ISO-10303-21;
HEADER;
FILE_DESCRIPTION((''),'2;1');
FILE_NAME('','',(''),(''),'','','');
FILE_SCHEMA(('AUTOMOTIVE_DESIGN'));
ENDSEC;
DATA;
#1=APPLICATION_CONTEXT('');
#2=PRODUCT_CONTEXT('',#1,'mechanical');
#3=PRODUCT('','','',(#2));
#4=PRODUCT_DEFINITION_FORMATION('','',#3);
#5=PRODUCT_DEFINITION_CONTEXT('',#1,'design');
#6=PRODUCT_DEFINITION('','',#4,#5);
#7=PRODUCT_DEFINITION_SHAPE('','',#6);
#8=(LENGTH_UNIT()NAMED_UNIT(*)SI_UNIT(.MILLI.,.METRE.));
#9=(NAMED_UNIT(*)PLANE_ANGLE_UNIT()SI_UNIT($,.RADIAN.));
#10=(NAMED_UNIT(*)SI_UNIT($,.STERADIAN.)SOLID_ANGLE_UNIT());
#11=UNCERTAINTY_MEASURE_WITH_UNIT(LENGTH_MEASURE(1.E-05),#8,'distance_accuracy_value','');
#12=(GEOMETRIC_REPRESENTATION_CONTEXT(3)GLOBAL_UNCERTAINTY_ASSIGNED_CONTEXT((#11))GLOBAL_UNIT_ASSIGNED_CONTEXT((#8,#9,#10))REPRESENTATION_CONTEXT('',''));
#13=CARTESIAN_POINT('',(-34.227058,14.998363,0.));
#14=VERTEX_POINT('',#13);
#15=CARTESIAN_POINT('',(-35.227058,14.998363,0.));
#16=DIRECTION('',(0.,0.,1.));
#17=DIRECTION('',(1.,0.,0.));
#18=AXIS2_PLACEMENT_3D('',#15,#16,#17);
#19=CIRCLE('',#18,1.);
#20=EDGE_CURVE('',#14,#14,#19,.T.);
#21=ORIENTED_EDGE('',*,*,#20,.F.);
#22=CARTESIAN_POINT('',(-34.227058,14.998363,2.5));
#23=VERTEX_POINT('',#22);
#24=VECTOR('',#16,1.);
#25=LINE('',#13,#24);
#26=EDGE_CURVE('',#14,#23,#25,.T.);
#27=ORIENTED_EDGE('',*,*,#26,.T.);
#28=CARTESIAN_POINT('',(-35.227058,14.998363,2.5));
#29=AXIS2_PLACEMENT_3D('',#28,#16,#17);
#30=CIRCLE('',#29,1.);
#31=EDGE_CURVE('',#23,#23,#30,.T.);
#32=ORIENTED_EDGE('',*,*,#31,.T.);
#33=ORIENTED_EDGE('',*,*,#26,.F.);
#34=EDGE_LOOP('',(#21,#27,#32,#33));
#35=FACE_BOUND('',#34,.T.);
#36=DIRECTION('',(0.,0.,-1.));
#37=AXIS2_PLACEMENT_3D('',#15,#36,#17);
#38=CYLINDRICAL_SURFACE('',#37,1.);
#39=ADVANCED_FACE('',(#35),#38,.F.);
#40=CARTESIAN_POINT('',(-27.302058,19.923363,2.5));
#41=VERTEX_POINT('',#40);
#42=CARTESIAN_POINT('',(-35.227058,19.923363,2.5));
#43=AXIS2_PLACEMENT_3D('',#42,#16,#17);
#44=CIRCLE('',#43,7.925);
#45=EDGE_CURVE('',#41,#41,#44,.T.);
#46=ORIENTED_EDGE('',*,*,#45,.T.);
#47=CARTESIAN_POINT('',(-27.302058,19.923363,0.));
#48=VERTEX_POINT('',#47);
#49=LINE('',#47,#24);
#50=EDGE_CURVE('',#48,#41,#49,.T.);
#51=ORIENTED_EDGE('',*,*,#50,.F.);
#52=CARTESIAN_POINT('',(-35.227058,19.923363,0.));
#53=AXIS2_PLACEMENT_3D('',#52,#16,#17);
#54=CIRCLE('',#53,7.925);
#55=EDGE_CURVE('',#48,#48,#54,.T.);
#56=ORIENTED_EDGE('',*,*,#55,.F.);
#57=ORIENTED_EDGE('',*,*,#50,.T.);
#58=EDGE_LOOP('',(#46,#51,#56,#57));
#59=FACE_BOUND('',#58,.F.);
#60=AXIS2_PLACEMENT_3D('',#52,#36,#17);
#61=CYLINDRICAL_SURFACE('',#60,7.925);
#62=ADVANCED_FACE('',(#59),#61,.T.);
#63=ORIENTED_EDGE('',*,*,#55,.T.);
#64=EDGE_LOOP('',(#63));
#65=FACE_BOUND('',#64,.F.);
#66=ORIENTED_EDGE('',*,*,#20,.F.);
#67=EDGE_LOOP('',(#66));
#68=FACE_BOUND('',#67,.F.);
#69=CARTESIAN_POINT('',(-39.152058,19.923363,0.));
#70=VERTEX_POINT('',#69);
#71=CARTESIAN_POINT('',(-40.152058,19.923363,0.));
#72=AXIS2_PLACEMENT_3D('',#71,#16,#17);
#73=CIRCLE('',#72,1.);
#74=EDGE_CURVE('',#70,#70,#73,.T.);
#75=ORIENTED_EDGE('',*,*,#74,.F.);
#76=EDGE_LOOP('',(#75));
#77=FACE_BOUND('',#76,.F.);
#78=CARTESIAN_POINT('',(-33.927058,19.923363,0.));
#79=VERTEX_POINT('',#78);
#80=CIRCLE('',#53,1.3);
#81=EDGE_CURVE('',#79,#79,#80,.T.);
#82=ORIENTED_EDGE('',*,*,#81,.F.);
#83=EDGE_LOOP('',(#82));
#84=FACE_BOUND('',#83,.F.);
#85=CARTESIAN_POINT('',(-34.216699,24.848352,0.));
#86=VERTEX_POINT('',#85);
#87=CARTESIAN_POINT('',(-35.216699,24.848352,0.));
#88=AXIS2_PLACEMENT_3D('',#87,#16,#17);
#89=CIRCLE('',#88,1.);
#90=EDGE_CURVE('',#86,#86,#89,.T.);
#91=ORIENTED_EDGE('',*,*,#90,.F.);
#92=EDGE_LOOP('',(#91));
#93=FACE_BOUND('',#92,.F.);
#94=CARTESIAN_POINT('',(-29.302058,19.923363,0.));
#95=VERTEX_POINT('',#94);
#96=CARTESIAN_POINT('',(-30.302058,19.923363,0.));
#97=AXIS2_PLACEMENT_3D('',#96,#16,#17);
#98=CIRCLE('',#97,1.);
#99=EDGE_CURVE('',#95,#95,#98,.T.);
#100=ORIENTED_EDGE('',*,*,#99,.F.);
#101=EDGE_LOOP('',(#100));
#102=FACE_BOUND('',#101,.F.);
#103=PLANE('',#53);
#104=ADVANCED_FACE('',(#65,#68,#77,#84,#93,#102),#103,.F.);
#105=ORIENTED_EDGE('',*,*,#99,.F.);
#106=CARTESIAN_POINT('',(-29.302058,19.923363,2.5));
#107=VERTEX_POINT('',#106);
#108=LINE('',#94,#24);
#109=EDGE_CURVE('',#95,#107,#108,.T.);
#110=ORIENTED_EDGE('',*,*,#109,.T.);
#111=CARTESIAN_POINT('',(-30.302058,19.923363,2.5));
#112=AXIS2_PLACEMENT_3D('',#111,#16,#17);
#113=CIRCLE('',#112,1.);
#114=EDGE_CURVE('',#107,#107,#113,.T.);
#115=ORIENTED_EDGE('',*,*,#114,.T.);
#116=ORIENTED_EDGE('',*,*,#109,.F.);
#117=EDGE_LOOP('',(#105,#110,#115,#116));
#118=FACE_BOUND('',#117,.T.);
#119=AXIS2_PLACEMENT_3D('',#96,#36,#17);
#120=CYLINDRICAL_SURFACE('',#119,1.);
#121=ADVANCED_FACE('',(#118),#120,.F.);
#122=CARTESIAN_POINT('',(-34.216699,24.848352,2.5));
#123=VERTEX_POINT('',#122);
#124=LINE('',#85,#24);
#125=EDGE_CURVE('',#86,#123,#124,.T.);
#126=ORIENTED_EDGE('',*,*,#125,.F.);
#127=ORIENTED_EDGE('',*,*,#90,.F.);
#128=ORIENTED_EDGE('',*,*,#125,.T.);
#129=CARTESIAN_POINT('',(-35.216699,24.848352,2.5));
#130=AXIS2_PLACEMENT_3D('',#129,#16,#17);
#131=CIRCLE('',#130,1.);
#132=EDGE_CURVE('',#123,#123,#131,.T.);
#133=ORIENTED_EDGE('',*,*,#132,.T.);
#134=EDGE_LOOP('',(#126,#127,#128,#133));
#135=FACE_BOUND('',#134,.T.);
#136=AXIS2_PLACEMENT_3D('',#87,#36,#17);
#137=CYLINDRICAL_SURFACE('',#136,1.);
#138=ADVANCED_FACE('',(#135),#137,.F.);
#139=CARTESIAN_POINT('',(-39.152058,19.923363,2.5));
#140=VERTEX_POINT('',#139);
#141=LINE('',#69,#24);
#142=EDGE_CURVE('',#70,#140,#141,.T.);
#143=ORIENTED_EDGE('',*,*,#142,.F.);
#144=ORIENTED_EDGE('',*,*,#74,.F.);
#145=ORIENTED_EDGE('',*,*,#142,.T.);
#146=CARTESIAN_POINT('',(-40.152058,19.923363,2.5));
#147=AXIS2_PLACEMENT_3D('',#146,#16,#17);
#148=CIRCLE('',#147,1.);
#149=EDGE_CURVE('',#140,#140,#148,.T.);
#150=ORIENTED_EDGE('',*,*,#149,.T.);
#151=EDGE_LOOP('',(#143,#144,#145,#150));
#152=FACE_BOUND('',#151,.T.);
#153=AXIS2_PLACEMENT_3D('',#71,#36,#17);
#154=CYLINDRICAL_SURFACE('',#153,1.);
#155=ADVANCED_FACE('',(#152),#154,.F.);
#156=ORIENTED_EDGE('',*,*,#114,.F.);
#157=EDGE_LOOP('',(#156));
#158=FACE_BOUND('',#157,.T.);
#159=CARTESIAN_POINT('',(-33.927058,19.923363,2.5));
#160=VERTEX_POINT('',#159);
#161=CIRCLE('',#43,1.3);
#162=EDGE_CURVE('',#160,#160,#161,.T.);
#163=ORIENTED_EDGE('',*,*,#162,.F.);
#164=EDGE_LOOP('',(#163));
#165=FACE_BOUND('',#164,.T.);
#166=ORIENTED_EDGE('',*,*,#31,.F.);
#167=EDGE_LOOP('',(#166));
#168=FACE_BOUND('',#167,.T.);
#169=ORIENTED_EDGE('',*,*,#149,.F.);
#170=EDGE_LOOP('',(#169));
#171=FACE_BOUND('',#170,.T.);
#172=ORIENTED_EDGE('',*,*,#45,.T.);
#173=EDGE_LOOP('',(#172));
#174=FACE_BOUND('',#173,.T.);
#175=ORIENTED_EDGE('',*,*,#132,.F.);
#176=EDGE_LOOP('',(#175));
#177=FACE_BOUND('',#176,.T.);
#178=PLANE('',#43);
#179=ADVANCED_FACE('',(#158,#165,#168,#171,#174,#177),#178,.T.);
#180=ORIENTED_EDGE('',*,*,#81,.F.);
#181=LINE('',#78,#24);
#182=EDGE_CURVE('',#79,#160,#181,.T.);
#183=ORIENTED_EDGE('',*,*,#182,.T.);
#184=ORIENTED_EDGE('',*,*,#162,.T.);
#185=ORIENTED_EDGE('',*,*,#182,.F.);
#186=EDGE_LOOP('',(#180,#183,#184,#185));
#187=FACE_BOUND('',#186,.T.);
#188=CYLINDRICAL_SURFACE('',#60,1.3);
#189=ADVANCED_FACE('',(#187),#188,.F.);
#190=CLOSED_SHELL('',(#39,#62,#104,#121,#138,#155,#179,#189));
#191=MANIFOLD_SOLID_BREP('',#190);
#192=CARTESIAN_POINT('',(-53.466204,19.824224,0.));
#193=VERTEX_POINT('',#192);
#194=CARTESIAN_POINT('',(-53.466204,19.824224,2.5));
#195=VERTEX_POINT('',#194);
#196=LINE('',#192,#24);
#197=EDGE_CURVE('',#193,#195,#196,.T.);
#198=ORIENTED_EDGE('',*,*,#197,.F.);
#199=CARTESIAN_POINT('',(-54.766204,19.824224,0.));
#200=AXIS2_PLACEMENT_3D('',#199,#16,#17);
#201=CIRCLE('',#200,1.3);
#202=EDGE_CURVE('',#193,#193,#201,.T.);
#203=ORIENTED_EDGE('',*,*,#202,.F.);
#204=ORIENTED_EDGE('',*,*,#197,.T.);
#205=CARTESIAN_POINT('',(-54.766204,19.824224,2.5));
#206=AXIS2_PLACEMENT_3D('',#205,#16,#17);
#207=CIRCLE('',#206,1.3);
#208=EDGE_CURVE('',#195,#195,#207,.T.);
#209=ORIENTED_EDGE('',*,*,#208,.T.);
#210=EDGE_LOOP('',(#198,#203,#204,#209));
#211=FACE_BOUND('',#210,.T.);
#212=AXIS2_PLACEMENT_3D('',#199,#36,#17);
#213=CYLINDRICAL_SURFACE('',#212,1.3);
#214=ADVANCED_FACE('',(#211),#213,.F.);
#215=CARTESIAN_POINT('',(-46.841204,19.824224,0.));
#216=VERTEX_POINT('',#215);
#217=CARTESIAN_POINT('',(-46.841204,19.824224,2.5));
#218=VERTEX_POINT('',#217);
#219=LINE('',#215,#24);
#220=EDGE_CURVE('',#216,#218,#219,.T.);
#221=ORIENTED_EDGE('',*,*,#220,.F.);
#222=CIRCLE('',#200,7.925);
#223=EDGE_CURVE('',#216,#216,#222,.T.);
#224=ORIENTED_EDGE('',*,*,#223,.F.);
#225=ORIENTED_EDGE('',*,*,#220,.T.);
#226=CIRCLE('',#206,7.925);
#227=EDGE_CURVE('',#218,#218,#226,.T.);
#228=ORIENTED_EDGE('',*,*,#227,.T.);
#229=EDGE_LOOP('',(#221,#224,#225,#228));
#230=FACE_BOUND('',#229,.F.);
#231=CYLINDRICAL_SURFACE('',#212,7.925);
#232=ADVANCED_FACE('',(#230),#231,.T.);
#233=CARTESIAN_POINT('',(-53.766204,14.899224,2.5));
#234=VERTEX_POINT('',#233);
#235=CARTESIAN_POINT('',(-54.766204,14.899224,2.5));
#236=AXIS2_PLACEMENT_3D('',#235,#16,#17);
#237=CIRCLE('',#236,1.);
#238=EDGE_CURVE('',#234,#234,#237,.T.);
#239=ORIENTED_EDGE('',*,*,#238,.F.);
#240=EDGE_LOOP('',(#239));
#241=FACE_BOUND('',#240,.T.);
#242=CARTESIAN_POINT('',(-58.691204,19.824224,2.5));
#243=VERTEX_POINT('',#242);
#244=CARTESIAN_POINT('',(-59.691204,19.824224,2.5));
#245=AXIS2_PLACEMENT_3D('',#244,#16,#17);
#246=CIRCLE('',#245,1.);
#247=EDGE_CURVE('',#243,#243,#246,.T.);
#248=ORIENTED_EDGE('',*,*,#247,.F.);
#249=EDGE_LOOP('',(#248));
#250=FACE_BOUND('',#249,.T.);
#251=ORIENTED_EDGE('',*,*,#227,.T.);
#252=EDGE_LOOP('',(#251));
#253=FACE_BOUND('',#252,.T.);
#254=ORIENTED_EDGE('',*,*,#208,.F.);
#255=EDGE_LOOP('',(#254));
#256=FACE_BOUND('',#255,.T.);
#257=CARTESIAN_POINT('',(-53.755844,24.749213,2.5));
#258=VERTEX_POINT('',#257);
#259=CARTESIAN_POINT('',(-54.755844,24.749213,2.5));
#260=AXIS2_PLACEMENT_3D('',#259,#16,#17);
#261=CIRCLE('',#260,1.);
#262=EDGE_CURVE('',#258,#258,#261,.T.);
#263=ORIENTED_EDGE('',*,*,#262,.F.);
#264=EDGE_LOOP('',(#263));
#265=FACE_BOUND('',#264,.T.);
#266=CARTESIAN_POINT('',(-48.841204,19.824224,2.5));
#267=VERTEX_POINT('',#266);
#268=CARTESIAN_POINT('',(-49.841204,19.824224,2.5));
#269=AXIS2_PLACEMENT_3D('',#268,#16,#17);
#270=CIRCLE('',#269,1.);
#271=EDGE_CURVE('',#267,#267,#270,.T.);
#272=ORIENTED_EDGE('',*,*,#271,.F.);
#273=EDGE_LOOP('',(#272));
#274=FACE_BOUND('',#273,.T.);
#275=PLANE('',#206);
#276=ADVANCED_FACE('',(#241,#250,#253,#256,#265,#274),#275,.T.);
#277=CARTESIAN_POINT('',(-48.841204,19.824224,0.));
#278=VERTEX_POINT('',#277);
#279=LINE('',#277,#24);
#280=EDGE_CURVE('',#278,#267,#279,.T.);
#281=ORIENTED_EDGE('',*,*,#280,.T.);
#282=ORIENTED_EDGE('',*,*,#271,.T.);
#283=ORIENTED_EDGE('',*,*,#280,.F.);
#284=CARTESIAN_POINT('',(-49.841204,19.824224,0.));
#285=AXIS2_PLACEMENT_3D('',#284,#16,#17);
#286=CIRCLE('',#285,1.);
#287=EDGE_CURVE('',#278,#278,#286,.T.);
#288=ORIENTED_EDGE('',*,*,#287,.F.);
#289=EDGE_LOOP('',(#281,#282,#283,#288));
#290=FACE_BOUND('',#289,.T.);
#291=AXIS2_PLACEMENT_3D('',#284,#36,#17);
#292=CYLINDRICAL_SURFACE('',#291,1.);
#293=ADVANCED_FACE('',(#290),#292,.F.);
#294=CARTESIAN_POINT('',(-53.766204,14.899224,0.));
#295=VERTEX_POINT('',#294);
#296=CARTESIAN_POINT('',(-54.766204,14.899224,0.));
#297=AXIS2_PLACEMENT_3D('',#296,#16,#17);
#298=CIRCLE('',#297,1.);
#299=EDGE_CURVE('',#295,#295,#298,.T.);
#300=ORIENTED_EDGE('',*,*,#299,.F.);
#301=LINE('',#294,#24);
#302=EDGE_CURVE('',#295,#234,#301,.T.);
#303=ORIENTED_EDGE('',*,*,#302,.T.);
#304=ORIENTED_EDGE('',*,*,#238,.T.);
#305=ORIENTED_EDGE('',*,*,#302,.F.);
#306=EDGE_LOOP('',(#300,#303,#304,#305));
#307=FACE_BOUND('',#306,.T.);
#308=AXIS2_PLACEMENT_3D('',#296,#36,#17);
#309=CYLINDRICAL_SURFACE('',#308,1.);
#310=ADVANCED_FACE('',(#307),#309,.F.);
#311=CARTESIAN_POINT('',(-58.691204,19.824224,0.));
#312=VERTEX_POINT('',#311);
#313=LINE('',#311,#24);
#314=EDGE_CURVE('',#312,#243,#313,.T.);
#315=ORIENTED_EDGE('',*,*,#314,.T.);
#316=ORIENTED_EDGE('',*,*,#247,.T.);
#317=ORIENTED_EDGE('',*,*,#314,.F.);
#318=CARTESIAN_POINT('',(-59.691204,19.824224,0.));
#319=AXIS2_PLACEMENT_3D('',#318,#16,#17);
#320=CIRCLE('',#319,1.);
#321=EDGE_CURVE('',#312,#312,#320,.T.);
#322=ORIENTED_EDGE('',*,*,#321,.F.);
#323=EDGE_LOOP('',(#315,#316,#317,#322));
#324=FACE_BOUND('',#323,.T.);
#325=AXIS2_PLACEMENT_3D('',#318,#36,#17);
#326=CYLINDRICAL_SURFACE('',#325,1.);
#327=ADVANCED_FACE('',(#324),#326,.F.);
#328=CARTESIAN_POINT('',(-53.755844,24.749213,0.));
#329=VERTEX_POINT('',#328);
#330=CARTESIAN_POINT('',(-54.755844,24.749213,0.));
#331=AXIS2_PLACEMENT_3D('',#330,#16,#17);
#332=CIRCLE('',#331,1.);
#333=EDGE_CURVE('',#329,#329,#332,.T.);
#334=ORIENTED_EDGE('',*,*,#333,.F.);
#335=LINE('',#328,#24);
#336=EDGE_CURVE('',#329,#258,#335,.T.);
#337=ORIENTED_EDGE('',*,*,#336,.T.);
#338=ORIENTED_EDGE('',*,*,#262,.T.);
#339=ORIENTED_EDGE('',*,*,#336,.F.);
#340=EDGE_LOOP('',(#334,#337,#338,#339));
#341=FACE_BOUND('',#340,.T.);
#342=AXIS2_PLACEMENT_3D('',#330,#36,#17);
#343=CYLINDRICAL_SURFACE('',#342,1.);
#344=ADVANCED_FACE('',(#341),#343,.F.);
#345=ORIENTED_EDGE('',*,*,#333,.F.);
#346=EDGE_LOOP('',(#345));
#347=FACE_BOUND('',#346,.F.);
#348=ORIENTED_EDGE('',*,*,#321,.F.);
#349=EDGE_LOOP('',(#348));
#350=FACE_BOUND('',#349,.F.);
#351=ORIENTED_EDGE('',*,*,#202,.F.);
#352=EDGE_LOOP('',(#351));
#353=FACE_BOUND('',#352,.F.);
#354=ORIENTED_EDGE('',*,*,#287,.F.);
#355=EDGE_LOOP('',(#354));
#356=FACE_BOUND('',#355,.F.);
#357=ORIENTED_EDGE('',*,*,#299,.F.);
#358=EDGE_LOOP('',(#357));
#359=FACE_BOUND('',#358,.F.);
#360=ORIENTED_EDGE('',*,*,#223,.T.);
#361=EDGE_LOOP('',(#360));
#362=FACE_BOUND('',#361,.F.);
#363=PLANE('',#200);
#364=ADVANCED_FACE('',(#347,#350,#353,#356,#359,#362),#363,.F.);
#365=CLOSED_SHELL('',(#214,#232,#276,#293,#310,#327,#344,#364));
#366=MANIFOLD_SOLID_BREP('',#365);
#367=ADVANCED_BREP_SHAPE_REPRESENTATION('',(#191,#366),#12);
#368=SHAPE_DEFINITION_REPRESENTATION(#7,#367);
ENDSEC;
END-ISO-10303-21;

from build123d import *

# Parameters (mm, degrees)
F0_R     = 7.925
F0_R_2   = 1
F0_R_3   = 1.3
F1_DEPTH = 2.5


with BuildPart() as f1:
    # F0 (on Top) → F1 (new body)
    with BuildSketch(Plane.XY):
        with Locations((-54.766204, 19.824224)):
            Circle(F0_R)
        with Locations((-54.766204, 14.899224)):
            Circle(F0_R_2, mode=Mode.SUBTRACT)
        with Locations((-59.691204, 19.824224)):
            Circle(F0_R_2, mode=Mode.SUBTRACT)
        with Locations((-54.766204, 19.824224)):
            Circle(F0_R_3, mode=Mode.SUBTRACT)
        with Locations((-49.841204, 19.824224)):
            Circle(F0_R_2, mode=Mode.SUBTRACT)
        with Locations((-54.755844, 24.749213)):
            Circle(F0_R_2, mode=Mode.SUBTRACT)
        with Locations((-35.227058, 19.923363)):
            Circle(F0_R)
        with Locations((-35.227058, 14.998363)):
            Circle(F0_R_2, mode=Mode.SUBTRACT)
        with Locations((-40.152058, 19.923363)):
            Circle(F0_R_2, mode=Mode.SUBTRACT)
        with Locations((-35.227058, 19.923363)):
            Circle(F0_R_3, mode=Mode.SUBTRACT)
        with Locations((-30.302058, 19.923363)):
            Circle(F0_R_2, mode=Mode.SUBTRACT)
        with Locations((-35.216699, 24.848352)):
            Circle(F0_R_2, mode=Mode.SUBTRACT)
    extrude(amount=F1_DEPTH)


solid = f1.part
